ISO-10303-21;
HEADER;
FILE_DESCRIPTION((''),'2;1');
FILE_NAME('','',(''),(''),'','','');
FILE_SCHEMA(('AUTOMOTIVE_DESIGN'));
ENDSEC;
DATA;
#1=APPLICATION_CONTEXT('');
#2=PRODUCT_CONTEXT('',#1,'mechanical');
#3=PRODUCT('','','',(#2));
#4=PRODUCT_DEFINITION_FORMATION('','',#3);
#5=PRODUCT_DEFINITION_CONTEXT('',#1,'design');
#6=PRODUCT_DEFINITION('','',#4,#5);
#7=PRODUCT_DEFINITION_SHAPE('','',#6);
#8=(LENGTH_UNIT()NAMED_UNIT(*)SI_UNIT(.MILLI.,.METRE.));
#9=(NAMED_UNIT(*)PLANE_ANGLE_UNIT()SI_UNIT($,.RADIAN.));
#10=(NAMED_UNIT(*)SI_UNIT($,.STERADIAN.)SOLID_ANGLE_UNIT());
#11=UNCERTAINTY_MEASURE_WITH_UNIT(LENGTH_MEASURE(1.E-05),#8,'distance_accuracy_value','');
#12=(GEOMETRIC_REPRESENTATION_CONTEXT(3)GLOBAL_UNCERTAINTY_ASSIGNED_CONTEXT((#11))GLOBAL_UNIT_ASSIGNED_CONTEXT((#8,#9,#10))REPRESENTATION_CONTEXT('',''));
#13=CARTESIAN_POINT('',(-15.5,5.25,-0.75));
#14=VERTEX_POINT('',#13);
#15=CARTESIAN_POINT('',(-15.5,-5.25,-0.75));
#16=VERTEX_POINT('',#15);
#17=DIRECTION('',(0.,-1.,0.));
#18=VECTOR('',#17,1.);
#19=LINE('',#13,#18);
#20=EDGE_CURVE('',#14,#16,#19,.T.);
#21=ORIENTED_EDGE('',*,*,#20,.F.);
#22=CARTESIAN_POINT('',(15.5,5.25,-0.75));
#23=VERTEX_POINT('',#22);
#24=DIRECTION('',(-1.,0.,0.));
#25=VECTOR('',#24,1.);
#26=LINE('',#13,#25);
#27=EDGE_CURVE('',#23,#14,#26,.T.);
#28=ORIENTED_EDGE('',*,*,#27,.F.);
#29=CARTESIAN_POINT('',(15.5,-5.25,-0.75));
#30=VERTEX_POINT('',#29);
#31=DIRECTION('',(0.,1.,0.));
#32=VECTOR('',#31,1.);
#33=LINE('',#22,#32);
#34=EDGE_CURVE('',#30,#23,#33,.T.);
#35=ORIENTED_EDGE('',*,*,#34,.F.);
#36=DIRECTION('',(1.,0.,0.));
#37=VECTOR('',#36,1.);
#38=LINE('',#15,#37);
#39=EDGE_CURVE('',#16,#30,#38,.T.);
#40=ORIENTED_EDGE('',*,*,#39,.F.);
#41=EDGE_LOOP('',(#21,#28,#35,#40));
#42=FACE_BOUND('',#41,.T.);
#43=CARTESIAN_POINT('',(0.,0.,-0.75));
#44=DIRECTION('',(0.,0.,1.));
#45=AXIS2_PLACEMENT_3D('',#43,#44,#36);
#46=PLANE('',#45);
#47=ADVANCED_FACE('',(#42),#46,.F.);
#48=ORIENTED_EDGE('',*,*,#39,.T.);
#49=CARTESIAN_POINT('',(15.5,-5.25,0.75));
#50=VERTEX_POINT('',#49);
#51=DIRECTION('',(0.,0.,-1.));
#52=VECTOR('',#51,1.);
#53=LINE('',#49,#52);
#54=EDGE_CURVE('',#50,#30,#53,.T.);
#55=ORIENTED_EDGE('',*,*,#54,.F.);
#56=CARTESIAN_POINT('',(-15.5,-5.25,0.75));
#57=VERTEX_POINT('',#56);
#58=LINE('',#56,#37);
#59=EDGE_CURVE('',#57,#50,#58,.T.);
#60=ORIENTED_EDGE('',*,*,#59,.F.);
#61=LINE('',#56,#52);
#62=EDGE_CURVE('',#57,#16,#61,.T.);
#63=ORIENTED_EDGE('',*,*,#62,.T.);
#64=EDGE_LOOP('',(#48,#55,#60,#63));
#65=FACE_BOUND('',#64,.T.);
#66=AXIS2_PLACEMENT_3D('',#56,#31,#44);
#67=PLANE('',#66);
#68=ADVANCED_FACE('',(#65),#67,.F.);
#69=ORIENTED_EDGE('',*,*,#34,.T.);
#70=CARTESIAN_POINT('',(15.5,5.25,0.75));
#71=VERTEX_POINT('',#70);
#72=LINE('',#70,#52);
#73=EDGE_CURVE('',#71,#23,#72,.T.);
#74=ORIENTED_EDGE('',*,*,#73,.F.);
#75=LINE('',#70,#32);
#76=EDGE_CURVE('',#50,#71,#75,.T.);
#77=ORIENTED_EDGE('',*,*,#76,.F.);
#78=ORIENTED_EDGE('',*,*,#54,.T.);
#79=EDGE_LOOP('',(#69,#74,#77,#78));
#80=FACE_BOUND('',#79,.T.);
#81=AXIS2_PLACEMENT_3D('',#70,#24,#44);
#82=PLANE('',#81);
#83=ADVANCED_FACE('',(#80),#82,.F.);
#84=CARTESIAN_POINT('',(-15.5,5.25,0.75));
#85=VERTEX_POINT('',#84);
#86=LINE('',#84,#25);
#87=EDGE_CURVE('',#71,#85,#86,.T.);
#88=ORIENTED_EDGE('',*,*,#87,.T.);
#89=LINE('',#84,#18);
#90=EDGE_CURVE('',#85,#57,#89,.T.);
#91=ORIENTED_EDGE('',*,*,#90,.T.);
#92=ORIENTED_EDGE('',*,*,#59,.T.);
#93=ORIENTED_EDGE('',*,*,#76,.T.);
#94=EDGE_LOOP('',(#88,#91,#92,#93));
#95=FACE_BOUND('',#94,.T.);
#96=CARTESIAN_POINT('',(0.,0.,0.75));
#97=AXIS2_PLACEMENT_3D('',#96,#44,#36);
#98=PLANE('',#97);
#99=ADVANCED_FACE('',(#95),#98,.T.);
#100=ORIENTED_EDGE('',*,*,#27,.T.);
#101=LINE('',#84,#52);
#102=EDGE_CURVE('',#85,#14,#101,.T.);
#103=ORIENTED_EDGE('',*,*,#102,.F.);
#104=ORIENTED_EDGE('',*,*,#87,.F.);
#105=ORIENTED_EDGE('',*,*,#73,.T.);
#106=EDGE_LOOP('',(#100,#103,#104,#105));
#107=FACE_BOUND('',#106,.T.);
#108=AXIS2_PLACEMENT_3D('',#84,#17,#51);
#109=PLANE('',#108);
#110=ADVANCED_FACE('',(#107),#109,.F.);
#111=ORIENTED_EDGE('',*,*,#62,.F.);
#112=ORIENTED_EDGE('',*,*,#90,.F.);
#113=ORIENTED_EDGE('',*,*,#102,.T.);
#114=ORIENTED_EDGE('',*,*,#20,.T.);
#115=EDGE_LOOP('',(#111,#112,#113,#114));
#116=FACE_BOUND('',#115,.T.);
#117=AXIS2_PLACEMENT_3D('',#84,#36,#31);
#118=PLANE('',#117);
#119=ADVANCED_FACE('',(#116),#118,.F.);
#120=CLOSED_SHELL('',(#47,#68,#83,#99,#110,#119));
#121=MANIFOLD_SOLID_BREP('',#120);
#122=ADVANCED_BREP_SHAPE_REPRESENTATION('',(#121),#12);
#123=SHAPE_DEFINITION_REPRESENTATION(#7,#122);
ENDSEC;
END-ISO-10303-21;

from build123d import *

# Parameters (mm, degrees)
ESQUISSE1_W        = 31
ESQUISSE1_H        = 10.5
BOSS_EXTRU_1_DEPTH = 0.75


with BuildPart() as part:
    # Esquisse1 → Boss.-Extru.1 (new body, symmetric)
    with BuildSketch(Plane.XY):
        Rectangle(ESQUISSE1_W, ESQUISSE1_H)
    extrude(amount=BOSS_EXTRU_1_DEPTH, both=True)


solid = part.part
